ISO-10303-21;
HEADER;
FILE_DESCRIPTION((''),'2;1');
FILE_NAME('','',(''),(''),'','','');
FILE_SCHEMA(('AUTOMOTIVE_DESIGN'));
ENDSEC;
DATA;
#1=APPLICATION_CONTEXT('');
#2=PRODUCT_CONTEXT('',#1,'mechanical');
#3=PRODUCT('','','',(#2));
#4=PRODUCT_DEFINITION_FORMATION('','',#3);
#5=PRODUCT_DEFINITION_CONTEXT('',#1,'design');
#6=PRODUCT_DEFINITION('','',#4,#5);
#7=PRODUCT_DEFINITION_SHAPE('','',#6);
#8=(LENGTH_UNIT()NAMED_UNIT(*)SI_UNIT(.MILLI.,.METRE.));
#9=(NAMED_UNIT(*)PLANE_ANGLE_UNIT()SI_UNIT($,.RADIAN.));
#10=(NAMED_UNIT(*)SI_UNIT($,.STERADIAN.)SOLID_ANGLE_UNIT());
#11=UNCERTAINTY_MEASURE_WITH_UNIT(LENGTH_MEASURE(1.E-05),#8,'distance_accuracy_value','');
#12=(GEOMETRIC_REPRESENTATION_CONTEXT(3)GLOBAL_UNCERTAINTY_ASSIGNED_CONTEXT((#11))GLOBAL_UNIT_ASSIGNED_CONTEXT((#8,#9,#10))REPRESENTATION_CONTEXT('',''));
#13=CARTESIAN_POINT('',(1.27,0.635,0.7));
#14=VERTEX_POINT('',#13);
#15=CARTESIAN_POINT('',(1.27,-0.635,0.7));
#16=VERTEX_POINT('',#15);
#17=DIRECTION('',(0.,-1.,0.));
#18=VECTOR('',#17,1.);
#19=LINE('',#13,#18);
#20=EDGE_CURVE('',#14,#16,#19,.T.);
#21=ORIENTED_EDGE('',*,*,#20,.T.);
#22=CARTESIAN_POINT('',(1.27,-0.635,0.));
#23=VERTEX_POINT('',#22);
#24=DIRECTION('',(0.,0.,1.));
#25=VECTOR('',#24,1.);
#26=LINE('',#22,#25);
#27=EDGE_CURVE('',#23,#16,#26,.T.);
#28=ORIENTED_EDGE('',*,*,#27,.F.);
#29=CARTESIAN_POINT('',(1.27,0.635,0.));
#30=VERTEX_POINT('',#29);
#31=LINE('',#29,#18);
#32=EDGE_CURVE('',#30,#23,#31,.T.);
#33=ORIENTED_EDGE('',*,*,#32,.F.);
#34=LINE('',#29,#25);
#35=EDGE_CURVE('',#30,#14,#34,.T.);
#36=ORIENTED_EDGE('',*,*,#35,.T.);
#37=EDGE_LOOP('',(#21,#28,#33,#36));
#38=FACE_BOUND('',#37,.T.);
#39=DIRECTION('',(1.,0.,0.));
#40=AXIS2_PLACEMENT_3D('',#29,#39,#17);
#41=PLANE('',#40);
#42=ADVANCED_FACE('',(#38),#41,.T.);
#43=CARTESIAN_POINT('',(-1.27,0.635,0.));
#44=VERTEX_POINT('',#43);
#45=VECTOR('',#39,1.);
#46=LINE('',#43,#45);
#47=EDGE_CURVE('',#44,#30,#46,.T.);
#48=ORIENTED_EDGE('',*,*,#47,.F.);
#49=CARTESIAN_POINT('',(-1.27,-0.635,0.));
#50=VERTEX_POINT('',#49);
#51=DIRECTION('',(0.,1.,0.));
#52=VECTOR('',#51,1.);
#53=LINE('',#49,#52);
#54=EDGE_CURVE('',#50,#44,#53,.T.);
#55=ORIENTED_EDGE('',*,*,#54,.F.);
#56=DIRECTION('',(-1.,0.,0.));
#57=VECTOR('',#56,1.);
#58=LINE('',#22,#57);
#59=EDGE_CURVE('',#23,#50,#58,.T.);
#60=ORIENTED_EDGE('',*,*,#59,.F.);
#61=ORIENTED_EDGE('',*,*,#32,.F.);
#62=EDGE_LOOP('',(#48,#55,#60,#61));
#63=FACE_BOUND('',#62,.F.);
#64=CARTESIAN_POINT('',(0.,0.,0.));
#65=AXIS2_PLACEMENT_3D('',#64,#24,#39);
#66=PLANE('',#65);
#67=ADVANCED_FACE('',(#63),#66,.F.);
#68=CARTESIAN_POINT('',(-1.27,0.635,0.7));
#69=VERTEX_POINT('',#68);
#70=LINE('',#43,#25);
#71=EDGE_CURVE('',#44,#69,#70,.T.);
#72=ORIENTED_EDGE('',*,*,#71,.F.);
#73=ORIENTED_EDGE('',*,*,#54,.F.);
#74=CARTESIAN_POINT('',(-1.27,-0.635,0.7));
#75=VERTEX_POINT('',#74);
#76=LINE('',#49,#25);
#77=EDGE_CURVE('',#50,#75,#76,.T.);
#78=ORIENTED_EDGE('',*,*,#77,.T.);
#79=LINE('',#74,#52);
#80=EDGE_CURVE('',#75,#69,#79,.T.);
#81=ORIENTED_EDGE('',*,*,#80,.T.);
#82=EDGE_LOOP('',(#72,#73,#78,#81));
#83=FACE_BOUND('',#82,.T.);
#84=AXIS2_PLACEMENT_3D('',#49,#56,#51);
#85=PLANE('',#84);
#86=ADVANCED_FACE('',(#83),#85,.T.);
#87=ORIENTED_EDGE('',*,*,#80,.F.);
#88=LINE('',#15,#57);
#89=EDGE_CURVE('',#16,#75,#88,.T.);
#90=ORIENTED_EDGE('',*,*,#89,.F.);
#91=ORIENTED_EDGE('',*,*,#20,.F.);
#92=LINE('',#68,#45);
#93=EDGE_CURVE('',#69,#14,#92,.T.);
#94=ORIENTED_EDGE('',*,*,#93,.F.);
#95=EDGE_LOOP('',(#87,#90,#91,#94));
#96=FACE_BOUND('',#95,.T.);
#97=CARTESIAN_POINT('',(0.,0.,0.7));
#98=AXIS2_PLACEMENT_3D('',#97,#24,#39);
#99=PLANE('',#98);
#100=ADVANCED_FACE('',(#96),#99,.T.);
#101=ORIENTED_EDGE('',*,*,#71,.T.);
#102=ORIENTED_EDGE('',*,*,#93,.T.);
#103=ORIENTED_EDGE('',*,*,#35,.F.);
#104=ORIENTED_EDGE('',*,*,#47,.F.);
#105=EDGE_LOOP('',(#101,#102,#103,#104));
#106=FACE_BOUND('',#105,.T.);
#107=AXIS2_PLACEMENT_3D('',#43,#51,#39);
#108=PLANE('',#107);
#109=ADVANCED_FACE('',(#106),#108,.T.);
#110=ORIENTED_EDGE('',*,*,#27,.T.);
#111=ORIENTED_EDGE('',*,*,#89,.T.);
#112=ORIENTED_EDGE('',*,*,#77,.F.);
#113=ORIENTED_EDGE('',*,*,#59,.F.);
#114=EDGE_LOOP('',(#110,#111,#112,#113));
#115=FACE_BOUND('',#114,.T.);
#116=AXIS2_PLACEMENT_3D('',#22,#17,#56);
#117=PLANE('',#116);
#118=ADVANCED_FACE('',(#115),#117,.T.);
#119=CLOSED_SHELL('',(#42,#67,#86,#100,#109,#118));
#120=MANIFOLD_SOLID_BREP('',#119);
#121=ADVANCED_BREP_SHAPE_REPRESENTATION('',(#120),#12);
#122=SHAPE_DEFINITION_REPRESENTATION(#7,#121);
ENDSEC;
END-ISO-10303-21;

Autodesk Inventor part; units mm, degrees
ref_plane "YZ Plane" through (0, 0, 0) normal (1, 0, 0) x (0, 1, 0)
ref_plane "XZ Plane" through (0, 0, 0) normal (0, 1, 0) x (-1, 0, 0)
ref_plane "XY Plane" through (0, 0, 0) normal (0, 0, 1) x (1, 0, 0)
sketch "LED2012120, 5988140107F_291" plane through (0, 0, 0) normal (0, 0, 1) x (1, 0, 0)
  line L0 (-1.27, 0.635) -> (1.27, 0.635)
  line L1 (1.27, 0.635) -> (1.27, -0.635)
  line L2 (1.27, -0.635) -> (-1.27, -0.635)
  line L3 (-1.27, -0.635) -> (-1.27, 0.635)
extrude "Extrusion1" add sketch "LED2012120, 5988140107F_291" along normal blind 0.7
properties part number "5988140107F"
